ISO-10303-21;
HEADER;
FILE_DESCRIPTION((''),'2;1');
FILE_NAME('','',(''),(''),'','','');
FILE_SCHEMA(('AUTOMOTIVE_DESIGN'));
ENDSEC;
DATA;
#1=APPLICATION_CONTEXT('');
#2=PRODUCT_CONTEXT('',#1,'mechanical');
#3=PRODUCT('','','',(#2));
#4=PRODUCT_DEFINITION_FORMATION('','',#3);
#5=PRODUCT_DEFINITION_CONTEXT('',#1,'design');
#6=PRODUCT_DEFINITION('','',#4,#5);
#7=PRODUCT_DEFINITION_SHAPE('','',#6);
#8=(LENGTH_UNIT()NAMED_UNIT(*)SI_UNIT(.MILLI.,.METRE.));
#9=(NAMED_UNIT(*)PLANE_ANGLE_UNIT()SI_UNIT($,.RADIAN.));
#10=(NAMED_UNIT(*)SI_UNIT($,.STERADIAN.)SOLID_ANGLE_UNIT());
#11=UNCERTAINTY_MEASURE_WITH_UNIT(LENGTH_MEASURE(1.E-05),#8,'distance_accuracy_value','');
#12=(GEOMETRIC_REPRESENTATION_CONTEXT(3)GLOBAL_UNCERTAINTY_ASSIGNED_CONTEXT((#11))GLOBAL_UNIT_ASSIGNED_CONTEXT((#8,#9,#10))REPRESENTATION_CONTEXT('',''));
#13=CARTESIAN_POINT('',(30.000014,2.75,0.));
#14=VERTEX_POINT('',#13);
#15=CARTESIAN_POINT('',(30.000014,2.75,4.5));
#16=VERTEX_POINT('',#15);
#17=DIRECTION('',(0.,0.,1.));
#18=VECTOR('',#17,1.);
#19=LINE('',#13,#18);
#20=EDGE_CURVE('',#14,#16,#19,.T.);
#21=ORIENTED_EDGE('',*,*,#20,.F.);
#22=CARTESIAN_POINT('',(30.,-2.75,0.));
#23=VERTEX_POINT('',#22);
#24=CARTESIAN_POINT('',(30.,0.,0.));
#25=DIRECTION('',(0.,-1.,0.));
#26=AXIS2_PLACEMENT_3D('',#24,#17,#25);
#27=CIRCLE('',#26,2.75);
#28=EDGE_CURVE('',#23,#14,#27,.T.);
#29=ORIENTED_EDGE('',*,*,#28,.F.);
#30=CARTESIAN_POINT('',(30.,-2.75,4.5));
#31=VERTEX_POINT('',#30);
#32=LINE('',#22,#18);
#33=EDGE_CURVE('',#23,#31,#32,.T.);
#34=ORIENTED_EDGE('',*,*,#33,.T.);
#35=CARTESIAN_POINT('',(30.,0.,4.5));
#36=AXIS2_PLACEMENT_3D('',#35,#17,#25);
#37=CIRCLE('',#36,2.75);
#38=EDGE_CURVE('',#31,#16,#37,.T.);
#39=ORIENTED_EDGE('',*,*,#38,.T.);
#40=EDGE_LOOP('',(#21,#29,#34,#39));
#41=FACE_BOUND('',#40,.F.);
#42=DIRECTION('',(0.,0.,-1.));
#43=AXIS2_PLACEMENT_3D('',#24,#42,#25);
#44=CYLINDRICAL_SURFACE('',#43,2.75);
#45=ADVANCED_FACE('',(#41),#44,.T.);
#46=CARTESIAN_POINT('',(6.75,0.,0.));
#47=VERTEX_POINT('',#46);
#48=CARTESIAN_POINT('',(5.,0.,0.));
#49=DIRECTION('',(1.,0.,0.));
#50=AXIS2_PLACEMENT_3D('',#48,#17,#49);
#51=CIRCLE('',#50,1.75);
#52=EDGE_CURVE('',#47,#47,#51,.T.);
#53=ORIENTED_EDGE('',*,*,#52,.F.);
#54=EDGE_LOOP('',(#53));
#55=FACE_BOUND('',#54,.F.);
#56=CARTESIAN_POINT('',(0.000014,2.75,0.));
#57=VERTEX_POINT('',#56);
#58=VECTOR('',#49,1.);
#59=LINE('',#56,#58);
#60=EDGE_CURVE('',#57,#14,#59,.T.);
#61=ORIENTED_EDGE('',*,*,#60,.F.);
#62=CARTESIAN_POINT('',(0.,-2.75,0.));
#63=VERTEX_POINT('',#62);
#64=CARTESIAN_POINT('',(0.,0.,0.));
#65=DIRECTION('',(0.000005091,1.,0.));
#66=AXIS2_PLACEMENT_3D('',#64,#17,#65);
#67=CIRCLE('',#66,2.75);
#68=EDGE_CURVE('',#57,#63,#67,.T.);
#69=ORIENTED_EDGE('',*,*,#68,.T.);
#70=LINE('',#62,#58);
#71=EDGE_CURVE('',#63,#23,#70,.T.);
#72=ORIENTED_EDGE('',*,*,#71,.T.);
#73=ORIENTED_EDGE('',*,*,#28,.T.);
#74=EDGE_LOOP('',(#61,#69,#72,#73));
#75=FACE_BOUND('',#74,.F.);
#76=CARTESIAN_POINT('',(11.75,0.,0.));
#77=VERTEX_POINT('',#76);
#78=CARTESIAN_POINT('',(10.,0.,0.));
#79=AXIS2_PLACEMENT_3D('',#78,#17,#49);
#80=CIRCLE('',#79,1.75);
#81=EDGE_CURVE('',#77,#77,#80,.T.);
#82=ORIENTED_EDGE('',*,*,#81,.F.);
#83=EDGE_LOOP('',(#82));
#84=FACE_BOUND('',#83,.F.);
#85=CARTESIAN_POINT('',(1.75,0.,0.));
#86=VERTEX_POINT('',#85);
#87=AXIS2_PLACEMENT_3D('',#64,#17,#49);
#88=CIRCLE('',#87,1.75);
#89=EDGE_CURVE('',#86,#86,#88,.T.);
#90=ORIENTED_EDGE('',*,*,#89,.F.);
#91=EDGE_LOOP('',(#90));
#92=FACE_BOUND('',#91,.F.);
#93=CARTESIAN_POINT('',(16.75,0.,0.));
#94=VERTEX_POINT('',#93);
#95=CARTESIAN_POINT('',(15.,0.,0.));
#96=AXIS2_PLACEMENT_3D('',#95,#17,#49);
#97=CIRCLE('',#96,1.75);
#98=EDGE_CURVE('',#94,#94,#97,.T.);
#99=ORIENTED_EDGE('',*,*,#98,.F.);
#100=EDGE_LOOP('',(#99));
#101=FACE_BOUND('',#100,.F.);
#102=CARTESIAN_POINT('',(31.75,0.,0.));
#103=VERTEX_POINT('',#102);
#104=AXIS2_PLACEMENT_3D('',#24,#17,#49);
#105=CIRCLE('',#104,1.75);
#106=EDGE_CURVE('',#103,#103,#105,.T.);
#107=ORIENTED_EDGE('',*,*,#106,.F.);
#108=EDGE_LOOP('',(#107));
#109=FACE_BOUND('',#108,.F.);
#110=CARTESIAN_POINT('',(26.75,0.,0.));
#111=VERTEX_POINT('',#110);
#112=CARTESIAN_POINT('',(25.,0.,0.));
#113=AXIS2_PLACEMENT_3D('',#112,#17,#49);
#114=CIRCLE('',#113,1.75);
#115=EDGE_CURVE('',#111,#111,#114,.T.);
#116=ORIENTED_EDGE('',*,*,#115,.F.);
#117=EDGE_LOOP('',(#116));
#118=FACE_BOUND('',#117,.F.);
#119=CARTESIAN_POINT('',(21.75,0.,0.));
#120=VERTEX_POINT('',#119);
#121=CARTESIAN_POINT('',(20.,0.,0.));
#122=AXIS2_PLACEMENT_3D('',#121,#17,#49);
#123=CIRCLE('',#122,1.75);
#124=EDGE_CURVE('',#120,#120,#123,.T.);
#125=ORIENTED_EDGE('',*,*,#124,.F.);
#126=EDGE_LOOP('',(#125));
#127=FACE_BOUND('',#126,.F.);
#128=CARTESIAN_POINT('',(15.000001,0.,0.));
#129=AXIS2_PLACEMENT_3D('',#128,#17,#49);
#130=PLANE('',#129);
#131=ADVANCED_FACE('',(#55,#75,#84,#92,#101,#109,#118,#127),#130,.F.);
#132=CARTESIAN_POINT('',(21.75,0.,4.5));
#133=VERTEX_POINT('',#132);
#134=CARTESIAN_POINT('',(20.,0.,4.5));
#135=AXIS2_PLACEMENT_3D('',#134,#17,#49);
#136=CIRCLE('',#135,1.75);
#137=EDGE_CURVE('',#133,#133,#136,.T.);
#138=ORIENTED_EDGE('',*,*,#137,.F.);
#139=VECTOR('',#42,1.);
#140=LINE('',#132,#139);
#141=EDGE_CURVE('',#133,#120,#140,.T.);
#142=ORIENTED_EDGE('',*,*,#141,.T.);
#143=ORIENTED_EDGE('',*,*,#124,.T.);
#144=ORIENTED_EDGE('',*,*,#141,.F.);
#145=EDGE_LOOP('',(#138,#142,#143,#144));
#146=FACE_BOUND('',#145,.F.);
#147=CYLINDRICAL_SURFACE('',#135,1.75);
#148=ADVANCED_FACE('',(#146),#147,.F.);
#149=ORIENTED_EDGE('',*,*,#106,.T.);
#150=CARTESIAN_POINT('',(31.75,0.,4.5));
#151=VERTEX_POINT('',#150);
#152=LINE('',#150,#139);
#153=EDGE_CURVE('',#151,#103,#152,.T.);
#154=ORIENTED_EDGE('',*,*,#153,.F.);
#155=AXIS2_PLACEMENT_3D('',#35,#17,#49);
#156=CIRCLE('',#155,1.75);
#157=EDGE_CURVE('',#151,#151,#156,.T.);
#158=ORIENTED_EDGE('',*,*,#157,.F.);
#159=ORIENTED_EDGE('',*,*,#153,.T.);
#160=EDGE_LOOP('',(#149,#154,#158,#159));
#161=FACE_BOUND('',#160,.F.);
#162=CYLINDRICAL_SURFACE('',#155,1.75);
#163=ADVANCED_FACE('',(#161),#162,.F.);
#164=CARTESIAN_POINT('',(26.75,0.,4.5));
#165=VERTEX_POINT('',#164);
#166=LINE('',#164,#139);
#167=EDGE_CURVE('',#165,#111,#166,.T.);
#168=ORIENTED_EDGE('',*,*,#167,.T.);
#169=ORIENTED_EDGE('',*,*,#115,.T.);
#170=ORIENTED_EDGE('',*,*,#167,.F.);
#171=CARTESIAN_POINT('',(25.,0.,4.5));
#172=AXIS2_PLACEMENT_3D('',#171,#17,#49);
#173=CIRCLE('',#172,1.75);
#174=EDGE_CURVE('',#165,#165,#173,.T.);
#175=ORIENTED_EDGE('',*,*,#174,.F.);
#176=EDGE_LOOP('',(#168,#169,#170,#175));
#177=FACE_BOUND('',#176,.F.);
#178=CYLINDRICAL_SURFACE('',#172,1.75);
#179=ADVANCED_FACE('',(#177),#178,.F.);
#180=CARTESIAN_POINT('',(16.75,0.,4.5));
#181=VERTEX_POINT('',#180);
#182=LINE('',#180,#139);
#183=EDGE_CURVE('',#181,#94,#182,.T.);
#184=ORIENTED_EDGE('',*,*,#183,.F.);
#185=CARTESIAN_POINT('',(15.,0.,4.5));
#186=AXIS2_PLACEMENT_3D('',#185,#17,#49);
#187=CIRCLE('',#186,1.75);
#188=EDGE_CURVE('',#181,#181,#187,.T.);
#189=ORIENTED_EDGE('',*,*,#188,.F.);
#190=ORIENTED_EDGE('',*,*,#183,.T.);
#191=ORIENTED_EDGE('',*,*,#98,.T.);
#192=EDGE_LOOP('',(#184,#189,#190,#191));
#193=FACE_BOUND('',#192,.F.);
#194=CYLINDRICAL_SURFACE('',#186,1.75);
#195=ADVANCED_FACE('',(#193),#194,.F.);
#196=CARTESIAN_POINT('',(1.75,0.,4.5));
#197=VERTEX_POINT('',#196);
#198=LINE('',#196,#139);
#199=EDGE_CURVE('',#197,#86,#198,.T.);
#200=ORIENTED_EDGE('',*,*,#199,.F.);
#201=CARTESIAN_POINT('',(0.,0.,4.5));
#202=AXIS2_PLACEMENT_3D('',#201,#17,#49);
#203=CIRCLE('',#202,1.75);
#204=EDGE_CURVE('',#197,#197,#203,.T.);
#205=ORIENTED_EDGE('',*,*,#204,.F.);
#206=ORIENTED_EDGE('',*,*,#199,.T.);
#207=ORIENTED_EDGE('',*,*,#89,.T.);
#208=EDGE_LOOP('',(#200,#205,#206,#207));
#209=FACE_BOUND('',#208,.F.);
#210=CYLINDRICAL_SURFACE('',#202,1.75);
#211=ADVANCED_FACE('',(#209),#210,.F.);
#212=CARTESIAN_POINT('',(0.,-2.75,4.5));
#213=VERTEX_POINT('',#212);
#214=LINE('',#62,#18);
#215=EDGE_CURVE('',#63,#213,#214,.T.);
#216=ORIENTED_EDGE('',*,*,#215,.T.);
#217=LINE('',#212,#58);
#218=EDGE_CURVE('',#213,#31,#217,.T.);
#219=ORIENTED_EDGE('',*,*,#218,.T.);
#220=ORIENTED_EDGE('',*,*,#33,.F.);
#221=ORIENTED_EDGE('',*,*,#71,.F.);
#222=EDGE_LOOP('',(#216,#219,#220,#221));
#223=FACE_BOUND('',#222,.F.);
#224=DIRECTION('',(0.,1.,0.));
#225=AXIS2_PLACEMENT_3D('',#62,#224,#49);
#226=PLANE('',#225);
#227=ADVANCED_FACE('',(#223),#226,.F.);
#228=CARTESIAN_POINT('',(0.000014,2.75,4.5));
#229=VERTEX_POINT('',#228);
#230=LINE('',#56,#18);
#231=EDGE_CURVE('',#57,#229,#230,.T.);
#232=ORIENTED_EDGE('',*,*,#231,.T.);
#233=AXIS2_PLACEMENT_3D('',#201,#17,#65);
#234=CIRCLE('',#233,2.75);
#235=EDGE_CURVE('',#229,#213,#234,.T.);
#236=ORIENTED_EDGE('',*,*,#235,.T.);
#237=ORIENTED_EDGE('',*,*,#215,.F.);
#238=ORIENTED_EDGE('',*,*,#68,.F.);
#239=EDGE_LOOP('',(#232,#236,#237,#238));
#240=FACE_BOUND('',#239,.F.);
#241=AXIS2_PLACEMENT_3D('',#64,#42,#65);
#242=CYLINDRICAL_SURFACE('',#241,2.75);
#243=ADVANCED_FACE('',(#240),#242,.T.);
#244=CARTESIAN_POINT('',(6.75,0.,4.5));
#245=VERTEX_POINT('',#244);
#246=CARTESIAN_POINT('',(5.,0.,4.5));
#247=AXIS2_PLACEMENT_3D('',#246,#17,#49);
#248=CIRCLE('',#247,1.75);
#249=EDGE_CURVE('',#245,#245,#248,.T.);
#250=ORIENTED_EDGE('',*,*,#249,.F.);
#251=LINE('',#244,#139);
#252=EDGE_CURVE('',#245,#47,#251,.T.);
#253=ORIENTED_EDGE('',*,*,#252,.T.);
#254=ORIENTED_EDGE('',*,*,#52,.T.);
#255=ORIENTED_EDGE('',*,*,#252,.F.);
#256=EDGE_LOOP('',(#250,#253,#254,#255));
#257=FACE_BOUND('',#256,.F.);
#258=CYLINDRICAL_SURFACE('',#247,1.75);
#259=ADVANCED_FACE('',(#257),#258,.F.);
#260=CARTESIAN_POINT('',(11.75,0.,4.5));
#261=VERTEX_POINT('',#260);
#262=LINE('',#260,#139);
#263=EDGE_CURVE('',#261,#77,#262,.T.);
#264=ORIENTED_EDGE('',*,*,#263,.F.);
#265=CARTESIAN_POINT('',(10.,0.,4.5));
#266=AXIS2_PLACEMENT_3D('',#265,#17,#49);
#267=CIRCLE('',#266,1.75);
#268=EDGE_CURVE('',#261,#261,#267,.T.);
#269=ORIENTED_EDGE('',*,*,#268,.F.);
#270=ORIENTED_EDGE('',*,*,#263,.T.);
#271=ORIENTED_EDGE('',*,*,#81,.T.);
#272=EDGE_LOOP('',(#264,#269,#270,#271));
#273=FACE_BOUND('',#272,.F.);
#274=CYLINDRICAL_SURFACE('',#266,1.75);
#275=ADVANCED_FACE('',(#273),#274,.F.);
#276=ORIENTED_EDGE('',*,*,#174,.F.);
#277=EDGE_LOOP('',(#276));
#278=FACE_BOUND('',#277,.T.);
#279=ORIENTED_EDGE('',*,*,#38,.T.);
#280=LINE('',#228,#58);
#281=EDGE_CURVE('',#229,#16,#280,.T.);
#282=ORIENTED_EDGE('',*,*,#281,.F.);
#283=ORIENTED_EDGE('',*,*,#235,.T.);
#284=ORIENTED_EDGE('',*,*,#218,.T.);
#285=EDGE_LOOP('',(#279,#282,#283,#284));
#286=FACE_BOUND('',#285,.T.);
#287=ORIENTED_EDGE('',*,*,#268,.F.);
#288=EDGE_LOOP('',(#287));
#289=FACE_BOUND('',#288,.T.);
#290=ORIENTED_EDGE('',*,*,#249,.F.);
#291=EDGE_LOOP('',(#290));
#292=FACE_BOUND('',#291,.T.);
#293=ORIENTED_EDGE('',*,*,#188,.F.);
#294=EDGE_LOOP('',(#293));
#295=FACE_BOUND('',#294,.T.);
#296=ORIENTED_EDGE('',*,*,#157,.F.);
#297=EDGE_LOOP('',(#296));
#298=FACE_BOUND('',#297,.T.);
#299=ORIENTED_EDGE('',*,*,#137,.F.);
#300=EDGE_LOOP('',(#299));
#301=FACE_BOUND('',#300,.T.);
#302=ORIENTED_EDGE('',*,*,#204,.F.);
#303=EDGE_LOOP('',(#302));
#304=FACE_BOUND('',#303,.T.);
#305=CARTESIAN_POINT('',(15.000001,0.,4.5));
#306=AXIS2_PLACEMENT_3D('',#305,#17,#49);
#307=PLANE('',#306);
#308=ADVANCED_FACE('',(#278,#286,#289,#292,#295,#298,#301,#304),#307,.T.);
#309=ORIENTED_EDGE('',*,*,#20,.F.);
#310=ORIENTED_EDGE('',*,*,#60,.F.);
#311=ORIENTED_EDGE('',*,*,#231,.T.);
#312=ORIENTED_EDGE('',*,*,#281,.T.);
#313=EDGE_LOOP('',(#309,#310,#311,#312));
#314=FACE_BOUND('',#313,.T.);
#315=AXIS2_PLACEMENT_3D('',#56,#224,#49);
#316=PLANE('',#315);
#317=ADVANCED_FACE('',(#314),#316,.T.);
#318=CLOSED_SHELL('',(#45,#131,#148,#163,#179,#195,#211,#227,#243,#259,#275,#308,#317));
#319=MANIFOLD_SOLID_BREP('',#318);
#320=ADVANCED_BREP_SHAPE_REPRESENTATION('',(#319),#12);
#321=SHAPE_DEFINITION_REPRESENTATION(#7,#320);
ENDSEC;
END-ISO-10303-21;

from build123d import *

# Parameters (mm, degrees)
PAD_DEPTH           = 4.5
SKETCH001_R         = 1.75
POCKET_DEPTH        = 4.501
LINEARPATTERN_COUNT = 7
LINEARPATTERN_PITCH = 5


with BuildPart() as part:
    # Sketch → Pad (new body)
    with BuildSketch(Plane.XY):
        with BuildLine():
            ThreePointArc((1.4e-05, 2.75), (-2.75, 7e-06), (0, -2.75))
            Line((0, -2.75), (30, -2.75))
            ThreePointArc((30, -2.75), (32.75, -7e-06), (30.000014, 2.75))
            Line((1.4e-05, 2.75), (30.000014, 2.75))
        make_face()
    extrude(amount=PAD_DEPTH)

    # Sketch001 → Pocket (cut, through all)
    with BuildSketch(Plane.XY.offset(4.5)):
        Circle(SKETCH001_R)
    pocket = extrude(amount=-POCKET_DEPTH, mode=Mode.SUBTRACT)

    # LinearPattern: Pocket ×7
    with Locations(*[(i * LINEARPATTERN_PITCH, 0, 0) for i in range(1, LINEARPATTERN_COUNT)]):
        add(pocket, mode=Mode.SUBTRACT)


solid = part.part
